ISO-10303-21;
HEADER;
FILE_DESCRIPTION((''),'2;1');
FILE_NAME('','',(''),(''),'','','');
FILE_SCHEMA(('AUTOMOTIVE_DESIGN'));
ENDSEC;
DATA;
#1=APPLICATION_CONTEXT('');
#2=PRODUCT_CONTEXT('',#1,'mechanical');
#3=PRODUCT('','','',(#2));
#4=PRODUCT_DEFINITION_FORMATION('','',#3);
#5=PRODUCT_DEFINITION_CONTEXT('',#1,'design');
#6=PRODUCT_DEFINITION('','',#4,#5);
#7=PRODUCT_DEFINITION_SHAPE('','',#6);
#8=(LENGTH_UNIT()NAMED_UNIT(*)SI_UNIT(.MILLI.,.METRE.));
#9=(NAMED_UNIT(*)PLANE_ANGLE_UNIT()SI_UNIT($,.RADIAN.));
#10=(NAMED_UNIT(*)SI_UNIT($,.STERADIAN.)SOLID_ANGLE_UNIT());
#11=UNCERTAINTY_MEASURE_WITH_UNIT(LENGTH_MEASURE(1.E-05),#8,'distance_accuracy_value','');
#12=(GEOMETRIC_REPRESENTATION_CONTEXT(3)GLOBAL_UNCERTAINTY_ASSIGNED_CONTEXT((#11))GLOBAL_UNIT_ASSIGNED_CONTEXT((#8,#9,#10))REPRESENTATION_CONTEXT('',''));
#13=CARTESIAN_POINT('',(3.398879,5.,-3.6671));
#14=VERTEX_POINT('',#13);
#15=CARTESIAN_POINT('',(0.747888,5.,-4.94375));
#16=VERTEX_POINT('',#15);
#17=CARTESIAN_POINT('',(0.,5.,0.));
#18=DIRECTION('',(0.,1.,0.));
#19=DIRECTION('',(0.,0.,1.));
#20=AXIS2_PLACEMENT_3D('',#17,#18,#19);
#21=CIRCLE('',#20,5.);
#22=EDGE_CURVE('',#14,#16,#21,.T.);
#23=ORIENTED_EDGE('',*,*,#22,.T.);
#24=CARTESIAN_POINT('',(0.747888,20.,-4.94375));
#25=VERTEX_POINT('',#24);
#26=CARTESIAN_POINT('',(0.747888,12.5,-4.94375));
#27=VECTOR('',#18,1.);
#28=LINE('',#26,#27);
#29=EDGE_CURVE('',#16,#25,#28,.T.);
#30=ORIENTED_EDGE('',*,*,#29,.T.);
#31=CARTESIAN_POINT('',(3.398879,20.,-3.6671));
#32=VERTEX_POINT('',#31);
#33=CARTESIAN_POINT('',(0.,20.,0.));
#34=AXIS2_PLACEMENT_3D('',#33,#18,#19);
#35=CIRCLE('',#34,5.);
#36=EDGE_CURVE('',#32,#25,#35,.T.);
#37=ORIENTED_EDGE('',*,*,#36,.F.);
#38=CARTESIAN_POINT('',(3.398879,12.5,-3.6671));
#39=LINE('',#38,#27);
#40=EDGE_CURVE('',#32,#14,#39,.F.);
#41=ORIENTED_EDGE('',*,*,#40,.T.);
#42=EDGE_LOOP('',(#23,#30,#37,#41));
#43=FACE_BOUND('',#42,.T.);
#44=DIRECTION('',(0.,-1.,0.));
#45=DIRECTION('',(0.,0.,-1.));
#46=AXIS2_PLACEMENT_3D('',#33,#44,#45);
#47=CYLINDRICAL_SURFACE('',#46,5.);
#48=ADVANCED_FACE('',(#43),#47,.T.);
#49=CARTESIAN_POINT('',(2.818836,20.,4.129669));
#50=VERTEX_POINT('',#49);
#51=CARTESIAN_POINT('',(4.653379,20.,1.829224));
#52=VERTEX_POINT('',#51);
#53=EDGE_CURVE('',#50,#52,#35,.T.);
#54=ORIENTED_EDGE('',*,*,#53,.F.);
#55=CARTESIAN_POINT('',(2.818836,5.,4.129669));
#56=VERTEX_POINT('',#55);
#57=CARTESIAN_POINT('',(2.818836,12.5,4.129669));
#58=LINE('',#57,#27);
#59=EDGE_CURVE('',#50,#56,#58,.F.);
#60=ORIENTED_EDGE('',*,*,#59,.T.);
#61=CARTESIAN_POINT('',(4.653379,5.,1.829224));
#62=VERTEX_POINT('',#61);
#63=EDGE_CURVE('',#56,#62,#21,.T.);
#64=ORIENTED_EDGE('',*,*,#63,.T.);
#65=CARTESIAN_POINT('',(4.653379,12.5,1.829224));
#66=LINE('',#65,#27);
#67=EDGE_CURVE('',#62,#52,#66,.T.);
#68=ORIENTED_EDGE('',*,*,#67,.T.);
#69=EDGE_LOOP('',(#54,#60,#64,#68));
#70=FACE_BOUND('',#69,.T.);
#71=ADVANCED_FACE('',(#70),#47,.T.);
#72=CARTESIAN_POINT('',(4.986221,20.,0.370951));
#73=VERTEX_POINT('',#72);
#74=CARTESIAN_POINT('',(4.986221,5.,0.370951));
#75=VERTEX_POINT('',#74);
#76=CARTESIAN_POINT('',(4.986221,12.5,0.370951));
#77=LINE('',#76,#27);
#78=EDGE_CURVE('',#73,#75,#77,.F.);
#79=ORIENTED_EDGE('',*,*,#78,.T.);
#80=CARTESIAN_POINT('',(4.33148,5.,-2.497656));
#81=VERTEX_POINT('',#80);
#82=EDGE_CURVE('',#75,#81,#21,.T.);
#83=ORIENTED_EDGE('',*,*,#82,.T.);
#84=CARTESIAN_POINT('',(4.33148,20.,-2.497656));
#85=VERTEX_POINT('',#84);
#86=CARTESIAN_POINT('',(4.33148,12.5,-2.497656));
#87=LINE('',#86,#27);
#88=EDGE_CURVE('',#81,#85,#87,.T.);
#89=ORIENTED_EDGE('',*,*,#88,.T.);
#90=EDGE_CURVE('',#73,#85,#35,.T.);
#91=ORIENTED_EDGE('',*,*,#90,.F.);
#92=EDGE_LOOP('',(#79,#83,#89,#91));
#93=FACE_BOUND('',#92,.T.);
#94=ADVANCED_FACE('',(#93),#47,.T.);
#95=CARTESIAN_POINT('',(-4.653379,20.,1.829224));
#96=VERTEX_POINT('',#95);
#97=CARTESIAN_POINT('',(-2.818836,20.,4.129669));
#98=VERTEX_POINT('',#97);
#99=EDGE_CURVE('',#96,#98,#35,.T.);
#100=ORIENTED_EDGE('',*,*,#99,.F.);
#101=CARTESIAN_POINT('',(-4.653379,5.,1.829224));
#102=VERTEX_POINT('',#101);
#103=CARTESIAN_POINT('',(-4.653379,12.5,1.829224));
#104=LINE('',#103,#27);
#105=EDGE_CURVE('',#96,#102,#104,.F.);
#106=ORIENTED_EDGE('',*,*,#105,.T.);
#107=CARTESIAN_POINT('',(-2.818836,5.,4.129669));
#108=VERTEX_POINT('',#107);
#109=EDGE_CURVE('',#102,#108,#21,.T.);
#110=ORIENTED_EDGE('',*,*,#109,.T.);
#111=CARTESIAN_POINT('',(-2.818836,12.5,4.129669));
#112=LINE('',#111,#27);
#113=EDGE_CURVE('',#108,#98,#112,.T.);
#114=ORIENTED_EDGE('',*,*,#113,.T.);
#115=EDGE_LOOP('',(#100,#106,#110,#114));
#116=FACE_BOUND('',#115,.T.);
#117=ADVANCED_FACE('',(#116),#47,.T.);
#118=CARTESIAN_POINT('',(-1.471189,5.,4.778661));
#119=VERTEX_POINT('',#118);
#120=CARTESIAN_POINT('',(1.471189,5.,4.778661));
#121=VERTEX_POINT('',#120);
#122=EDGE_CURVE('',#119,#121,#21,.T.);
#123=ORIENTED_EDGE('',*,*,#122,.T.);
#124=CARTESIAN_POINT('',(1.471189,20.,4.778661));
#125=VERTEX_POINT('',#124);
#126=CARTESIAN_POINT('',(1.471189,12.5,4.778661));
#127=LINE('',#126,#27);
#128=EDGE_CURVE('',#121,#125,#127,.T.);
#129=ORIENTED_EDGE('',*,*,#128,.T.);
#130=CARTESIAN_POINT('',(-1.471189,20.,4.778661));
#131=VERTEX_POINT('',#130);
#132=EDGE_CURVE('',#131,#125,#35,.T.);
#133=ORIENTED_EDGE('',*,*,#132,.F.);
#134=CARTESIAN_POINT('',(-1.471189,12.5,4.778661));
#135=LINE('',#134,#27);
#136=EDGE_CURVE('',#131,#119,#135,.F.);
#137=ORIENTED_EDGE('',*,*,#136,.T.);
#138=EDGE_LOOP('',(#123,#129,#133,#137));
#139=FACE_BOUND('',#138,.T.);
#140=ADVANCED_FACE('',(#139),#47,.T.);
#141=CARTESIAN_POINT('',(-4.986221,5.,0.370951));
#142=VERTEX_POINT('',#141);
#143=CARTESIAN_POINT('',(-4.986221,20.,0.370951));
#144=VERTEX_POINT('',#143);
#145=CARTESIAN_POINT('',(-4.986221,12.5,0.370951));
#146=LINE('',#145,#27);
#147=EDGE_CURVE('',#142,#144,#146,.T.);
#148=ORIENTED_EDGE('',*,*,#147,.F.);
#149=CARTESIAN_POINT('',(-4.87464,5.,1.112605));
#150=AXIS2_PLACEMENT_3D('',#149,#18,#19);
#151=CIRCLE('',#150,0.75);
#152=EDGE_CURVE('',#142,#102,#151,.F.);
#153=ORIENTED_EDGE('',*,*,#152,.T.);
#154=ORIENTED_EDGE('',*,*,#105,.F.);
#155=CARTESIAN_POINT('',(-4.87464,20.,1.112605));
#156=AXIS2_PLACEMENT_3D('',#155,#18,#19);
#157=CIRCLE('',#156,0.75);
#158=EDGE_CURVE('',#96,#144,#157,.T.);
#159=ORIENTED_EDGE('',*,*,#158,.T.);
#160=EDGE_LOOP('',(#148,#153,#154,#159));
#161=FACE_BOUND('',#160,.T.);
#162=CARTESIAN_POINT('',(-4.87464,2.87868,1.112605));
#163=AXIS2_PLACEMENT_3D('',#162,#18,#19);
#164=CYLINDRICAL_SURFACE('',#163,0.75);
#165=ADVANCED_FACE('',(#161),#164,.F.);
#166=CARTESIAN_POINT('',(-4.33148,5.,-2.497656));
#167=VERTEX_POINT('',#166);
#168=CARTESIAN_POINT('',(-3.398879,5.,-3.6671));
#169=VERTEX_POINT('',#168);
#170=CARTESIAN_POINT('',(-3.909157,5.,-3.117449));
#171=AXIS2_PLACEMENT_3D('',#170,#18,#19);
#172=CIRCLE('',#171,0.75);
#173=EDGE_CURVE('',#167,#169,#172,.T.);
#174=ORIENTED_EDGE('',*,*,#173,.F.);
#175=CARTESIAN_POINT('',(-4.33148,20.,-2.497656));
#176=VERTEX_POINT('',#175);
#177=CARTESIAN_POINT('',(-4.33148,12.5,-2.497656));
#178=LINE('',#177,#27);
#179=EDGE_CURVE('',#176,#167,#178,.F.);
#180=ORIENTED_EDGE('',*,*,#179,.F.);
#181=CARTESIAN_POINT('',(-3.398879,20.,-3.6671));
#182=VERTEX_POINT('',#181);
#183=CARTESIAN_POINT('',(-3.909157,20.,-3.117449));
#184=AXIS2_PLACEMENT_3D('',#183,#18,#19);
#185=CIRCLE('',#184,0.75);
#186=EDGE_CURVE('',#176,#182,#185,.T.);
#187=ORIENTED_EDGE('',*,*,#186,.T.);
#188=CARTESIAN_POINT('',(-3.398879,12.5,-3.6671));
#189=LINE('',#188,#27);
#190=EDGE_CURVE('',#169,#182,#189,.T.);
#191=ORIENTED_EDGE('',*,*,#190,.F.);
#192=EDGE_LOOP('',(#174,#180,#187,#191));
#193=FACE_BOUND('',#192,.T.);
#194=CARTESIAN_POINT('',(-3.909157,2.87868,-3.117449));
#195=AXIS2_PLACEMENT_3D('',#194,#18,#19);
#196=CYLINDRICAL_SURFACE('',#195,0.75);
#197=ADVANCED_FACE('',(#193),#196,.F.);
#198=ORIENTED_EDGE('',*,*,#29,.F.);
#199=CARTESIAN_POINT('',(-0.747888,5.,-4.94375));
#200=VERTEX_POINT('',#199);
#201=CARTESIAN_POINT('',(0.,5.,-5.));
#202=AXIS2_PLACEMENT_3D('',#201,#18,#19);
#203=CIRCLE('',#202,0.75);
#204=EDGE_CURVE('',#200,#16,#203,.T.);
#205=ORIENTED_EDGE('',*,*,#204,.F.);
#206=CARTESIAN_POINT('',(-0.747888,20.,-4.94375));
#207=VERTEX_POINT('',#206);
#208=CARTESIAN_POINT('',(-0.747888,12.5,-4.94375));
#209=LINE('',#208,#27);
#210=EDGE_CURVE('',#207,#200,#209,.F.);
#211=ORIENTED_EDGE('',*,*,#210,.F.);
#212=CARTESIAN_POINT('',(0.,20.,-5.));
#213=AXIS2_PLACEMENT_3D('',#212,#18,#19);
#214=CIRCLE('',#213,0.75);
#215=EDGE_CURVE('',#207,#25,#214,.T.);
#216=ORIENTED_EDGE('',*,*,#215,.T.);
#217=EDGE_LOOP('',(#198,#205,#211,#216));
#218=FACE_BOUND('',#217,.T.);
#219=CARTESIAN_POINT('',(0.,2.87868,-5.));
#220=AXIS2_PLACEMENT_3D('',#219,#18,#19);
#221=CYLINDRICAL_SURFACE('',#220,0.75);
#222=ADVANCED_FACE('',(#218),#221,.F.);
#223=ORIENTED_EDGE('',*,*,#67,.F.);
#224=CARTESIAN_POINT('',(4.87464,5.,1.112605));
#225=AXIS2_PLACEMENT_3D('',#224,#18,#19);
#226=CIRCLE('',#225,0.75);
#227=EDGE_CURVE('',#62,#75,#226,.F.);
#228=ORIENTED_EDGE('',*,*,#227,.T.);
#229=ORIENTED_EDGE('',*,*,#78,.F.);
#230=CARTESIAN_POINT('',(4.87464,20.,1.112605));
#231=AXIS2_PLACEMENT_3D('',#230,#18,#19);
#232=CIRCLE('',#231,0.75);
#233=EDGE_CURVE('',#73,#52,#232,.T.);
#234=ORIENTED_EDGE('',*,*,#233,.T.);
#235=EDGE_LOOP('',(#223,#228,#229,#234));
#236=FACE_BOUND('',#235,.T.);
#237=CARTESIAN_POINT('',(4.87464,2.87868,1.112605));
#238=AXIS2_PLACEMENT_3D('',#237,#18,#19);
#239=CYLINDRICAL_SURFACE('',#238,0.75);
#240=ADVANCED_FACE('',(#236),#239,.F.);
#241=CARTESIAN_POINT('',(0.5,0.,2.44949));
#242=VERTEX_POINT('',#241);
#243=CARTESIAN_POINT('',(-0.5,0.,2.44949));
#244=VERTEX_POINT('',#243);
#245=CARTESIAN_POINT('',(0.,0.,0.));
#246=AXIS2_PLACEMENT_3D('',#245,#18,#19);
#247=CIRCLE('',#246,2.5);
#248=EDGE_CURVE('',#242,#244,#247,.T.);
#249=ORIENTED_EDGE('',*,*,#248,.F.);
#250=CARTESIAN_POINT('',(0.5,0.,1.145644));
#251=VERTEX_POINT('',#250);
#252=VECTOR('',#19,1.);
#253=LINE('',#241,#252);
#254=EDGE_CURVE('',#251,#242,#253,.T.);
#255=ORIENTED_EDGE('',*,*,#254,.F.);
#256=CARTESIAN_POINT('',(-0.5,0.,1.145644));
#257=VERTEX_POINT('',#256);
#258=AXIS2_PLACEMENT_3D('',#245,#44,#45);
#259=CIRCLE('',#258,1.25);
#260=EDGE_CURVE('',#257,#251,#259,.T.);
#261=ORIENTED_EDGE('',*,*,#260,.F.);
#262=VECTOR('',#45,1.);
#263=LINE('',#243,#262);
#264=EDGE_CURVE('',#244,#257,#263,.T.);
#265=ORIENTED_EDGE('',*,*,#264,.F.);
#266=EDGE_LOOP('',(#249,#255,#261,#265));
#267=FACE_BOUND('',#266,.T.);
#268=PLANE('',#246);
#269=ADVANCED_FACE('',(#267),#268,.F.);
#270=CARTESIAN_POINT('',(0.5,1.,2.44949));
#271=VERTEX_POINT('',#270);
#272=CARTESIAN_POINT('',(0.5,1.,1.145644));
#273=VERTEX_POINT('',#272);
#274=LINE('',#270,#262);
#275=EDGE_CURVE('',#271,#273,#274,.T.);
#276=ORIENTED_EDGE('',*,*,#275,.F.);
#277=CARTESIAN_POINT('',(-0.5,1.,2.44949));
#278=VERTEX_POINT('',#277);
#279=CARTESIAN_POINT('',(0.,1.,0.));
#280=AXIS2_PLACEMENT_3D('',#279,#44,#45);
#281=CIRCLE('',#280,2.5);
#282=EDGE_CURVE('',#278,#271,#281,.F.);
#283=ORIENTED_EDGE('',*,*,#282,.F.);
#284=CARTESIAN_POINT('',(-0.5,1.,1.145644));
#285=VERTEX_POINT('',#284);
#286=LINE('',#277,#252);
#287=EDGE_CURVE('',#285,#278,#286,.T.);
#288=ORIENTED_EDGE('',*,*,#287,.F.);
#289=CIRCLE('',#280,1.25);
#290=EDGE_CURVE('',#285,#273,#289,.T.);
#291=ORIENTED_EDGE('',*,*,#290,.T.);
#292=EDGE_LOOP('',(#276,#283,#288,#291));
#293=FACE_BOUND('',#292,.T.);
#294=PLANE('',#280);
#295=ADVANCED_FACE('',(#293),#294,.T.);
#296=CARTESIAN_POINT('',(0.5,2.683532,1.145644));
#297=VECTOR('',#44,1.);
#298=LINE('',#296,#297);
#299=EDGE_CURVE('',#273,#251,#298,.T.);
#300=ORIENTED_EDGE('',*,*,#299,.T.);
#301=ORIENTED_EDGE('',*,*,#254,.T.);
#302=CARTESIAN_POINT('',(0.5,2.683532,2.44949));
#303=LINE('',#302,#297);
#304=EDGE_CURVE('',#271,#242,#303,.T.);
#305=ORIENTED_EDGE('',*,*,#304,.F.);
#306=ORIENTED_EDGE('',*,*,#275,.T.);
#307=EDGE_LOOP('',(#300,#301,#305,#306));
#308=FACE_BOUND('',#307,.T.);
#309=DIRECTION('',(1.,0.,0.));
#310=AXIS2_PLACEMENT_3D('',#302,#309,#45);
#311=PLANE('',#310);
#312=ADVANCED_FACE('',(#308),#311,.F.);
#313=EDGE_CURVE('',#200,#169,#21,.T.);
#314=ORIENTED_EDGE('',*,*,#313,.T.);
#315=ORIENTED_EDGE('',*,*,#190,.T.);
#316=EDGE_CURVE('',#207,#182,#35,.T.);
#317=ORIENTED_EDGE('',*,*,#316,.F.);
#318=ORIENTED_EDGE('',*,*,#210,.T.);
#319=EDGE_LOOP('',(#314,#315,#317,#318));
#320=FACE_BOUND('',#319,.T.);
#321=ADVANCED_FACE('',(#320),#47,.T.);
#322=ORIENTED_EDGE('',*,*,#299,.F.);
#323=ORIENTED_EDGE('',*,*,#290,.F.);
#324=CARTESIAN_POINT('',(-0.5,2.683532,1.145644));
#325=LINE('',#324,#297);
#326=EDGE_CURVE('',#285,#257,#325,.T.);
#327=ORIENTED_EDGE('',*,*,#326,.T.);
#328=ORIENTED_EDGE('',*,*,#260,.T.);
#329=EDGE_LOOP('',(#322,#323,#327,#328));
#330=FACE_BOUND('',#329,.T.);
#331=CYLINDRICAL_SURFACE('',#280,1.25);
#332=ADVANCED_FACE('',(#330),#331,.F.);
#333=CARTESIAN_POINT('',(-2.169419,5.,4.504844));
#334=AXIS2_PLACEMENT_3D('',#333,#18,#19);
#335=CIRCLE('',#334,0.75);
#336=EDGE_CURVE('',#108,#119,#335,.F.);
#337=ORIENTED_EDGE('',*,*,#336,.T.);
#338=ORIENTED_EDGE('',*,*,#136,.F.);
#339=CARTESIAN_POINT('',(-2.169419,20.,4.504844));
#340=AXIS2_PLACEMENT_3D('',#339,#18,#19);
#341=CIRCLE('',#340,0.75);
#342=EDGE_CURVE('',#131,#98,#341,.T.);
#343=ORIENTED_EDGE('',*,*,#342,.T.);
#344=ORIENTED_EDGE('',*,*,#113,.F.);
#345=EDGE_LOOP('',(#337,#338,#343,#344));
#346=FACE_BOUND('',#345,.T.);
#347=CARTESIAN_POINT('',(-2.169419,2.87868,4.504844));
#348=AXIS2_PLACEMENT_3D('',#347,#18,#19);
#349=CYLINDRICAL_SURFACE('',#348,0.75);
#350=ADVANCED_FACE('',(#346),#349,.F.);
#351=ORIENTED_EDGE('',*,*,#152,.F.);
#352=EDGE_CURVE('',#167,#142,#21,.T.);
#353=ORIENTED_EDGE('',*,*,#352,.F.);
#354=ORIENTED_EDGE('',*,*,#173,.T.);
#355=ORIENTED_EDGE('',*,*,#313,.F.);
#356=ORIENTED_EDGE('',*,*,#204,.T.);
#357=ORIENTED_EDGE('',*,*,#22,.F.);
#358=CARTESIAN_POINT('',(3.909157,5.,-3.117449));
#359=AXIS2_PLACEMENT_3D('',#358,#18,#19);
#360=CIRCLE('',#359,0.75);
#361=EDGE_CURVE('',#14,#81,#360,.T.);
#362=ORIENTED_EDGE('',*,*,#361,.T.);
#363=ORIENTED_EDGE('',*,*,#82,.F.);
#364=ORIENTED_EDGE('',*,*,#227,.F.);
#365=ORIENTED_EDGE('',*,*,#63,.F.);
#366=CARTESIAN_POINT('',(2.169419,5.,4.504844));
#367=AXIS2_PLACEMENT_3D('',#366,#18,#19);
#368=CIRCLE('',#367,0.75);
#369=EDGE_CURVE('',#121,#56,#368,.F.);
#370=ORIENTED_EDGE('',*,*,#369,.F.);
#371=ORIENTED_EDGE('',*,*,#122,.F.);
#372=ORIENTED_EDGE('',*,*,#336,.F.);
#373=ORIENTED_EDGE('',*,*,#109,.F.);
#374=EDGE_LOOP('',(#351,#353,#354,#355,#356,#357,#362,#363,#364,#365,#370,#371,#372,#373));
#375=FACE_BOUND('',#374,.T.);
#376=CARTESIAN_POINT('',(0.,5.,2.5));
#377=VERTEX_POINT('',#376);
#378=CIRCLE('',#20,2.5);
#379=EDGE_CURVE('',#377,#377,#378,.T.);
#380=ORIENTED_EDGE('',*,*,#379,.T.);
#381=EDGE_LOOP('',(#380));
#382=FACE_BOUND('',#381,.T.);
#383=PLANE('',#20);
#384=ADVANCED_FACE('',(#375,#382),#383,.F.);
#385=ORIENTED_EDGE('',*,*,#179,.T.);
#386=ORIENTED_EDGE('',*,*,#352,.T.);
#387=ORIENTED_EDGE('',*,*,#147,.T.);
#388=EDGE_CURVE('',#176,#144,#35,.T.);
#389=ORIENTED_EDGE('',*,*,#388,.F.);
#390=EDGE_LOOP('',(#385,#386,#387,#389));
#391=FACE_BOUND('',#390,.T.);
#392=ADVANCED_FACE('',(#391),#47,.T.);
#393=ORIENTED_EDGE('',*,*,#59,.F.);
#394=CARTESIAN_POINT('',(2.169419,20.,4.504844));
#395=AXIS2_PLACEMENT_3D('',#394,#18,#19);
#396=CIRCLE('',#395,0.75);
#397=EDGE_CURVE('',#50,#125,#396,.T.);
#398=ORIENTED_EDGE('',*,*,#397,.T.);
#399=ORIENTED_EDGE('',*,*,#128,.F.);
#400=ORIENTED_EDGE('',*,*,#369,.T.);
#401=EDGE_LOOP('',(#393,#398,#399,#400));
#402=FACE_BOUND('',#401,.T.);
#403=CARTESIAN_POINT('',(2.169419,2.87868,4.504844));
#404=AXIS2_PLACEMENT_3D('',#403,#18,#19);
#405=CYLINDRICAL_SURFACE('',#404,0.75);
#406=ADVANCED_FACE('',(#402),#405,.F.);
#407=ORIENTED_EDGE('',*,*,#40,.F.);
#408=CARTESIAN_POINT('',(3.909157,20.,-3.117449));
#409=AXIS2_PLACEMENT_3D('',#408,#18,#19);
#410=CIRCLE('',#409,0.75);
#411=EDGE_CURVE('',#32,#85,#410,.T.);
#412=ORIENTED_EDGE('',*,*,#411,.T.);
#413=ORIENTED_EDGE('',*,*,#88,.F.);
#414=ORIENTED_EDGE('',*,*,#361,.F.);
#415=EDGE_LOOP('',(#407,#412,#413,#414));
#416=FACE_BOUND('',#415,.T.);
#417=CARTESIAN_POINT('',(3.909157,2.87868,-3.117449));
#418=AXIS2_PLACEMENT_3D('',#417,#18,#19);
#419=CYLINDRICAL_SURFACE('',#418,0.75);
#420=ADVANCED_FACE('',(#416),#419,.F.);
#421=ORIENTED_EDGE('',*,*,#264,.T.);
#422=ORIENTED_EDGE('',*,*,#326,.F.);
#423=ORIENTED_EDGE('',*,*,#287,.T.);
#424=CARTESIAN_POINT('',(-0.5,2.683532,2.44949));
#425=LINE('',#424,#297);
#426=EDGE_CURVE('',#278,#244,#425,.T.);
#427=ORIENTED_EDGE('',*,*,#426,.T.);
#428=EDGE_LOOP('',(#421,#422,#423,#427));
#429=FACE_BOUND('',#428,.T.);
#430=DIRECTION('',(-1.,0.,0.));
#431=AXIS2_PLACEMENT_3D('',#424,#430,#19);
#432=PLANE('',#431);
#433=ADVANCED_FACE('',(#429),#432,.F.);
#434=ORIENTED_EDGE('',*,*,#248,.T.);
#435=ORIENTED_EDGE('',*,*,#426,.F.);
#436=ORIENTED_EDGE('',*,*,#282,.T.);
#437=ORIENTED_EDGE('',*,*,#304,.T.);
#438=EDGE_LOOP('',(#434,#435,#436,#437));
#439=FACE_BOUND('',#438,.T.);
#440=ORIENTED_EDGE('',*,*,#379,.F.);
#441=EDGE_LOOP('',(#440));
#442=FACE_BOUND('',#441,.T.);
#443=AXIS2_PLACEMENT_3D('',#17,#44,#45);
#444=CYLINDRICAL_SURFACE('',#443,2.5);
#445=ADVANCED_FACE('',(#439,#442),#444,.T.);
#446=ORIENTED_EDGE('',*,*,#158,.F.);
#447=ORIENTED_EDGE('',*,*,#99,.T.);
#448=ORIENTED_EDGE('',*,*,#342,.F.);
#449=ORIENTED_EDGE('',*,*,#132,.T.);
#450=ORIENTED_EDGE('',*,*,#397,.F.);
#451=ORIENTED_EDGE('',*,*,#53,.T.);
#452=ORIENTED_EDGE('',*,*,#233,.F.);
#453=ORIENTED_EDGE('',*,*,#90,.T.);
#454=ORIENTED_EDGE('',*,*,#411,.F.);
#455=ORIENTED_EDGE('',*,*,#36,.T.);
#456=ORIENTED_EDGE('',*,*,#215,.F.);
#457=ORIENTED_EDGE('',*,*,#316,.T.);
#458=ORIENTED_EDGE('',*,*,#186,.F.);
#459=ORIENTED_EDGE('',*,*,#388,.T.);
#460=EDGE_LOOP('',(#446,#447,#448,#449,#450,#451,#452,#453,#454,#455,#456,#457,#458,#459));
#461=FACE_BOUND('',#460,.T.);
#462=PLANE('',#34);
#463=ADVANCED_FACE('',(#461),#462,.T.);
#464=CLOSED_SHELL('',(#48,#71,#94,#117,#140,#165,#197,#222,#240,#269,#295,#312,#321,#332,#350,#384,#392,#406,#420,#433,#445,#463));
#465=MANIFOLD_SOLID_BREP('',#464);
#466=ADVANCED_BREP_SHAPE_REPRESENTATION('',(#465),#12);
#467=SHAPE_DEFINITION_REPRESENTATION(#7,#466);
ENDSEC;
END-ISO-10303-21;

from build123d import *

# Parameters (mm, degrees)
SKETCH2_R           = 2.5
BOSS_EXTRUDE1_DEPTH = 5
SKETCH3_R           = 5
BOSS_EXTRUDE2_DEPTH = 15
SKETCH4_R           = 0.75
CUT_EXTRUDE1_DEPTH  = 15
SKETCH5_R           = 1.25
CUT_EXTRUDE2_DEPTH  = 1
CUT_EXTRUDE3_DEPTH  = 1


with BuildPart() as part:
    # Sketch2 → Boss-Extrude1 (new body)
    with BuildSketch(Plane(origin=(0, 0, 0), x_dir=(1, 0, 0), z_dir=(0, 1, 0))):
        with Locations(Location((0, 0, 0), (0, 0, 270))):
            Circle(SKETCH2_R)
    extrude(amount=BOSS_EXTRUDE1_DEPTH)

    # Sketch3 → Boss-Extrude2 (add)
    with BuildSketch(Plane(origin=(0, 5, 0), x_dir=(1, 0, 0), z_dir=(0, 1, 0))):
        with Locations(Location((0, 0, 0), (0, 0, 270))):
            Circle(SKETCH3_R)
    extrude(amount=BOSS_EXTRUDE2_DEPTH)

    # Sketch4 → Cut-Extrude1 (cut)
    with BuildSketch(Plane(origin=(0, 20, 0), x_dir=(1, 0, 0), z_dir=(0, 1, 0))):
        with Locations((0, 5)):
            Circle(SKETCH4_R)
        with Locations((3.909157412, 3.117449009)):
            Circle(SKETCH4_R)
        with Locations((4.874639561, -1.11260467)):
            Circle(SKETCH4_R)
        with Locations((2.169418696, -4.50484434)):
            Circle(SKETCH4_R)
        with Locations((-2.169418696, -4.50484434)):
            Circle(SKETCH4_R)
        with Locations((-4.874639561, -1.11260467)):
            Circle(SKETCH4_R)
        with Locations((-3.909157412, 3.117449009)):
            Circle(SKETCH4_R)
    extrude(amount=-CUT_EXTRUDE1_DEPTH, mode=Mode.SUBTRACT)

    # Sketch5 → Cut-Extrude2 (cut)
    with BuildSketch(Plane.XZ):
        with Locations(Location((0, 0, 0), (0, 0, 270))):
            Circle(SKETCH5_R)
    extrude(amount=-CUT_EXTRUDE2_DEPTH, mode=Mode.SUBTRACT)

    # Sketch6 → Cut-Extrude3 (cut)
    with BuildSketch(Plane.XZ):
        with BuildLine():
            Line((-0.5, 2.449489743), (-0.5, 1.145643924))
            ThreePointArc((-0.5, 1.145643924), (0, 1.25), (0.5, 1.145643924))
            Line((0.5, 1.145643924), (0.5, 2.449489743))
            ThreePointArc((0.5, 2.449489743), (0, 2.5), (-0.5, 2.449489743))
        make_face()
    extrude(amount=-CUT_EXTRUDE3_DEPTH, mode=Mode.SUBTRACT)


solid = part.part
